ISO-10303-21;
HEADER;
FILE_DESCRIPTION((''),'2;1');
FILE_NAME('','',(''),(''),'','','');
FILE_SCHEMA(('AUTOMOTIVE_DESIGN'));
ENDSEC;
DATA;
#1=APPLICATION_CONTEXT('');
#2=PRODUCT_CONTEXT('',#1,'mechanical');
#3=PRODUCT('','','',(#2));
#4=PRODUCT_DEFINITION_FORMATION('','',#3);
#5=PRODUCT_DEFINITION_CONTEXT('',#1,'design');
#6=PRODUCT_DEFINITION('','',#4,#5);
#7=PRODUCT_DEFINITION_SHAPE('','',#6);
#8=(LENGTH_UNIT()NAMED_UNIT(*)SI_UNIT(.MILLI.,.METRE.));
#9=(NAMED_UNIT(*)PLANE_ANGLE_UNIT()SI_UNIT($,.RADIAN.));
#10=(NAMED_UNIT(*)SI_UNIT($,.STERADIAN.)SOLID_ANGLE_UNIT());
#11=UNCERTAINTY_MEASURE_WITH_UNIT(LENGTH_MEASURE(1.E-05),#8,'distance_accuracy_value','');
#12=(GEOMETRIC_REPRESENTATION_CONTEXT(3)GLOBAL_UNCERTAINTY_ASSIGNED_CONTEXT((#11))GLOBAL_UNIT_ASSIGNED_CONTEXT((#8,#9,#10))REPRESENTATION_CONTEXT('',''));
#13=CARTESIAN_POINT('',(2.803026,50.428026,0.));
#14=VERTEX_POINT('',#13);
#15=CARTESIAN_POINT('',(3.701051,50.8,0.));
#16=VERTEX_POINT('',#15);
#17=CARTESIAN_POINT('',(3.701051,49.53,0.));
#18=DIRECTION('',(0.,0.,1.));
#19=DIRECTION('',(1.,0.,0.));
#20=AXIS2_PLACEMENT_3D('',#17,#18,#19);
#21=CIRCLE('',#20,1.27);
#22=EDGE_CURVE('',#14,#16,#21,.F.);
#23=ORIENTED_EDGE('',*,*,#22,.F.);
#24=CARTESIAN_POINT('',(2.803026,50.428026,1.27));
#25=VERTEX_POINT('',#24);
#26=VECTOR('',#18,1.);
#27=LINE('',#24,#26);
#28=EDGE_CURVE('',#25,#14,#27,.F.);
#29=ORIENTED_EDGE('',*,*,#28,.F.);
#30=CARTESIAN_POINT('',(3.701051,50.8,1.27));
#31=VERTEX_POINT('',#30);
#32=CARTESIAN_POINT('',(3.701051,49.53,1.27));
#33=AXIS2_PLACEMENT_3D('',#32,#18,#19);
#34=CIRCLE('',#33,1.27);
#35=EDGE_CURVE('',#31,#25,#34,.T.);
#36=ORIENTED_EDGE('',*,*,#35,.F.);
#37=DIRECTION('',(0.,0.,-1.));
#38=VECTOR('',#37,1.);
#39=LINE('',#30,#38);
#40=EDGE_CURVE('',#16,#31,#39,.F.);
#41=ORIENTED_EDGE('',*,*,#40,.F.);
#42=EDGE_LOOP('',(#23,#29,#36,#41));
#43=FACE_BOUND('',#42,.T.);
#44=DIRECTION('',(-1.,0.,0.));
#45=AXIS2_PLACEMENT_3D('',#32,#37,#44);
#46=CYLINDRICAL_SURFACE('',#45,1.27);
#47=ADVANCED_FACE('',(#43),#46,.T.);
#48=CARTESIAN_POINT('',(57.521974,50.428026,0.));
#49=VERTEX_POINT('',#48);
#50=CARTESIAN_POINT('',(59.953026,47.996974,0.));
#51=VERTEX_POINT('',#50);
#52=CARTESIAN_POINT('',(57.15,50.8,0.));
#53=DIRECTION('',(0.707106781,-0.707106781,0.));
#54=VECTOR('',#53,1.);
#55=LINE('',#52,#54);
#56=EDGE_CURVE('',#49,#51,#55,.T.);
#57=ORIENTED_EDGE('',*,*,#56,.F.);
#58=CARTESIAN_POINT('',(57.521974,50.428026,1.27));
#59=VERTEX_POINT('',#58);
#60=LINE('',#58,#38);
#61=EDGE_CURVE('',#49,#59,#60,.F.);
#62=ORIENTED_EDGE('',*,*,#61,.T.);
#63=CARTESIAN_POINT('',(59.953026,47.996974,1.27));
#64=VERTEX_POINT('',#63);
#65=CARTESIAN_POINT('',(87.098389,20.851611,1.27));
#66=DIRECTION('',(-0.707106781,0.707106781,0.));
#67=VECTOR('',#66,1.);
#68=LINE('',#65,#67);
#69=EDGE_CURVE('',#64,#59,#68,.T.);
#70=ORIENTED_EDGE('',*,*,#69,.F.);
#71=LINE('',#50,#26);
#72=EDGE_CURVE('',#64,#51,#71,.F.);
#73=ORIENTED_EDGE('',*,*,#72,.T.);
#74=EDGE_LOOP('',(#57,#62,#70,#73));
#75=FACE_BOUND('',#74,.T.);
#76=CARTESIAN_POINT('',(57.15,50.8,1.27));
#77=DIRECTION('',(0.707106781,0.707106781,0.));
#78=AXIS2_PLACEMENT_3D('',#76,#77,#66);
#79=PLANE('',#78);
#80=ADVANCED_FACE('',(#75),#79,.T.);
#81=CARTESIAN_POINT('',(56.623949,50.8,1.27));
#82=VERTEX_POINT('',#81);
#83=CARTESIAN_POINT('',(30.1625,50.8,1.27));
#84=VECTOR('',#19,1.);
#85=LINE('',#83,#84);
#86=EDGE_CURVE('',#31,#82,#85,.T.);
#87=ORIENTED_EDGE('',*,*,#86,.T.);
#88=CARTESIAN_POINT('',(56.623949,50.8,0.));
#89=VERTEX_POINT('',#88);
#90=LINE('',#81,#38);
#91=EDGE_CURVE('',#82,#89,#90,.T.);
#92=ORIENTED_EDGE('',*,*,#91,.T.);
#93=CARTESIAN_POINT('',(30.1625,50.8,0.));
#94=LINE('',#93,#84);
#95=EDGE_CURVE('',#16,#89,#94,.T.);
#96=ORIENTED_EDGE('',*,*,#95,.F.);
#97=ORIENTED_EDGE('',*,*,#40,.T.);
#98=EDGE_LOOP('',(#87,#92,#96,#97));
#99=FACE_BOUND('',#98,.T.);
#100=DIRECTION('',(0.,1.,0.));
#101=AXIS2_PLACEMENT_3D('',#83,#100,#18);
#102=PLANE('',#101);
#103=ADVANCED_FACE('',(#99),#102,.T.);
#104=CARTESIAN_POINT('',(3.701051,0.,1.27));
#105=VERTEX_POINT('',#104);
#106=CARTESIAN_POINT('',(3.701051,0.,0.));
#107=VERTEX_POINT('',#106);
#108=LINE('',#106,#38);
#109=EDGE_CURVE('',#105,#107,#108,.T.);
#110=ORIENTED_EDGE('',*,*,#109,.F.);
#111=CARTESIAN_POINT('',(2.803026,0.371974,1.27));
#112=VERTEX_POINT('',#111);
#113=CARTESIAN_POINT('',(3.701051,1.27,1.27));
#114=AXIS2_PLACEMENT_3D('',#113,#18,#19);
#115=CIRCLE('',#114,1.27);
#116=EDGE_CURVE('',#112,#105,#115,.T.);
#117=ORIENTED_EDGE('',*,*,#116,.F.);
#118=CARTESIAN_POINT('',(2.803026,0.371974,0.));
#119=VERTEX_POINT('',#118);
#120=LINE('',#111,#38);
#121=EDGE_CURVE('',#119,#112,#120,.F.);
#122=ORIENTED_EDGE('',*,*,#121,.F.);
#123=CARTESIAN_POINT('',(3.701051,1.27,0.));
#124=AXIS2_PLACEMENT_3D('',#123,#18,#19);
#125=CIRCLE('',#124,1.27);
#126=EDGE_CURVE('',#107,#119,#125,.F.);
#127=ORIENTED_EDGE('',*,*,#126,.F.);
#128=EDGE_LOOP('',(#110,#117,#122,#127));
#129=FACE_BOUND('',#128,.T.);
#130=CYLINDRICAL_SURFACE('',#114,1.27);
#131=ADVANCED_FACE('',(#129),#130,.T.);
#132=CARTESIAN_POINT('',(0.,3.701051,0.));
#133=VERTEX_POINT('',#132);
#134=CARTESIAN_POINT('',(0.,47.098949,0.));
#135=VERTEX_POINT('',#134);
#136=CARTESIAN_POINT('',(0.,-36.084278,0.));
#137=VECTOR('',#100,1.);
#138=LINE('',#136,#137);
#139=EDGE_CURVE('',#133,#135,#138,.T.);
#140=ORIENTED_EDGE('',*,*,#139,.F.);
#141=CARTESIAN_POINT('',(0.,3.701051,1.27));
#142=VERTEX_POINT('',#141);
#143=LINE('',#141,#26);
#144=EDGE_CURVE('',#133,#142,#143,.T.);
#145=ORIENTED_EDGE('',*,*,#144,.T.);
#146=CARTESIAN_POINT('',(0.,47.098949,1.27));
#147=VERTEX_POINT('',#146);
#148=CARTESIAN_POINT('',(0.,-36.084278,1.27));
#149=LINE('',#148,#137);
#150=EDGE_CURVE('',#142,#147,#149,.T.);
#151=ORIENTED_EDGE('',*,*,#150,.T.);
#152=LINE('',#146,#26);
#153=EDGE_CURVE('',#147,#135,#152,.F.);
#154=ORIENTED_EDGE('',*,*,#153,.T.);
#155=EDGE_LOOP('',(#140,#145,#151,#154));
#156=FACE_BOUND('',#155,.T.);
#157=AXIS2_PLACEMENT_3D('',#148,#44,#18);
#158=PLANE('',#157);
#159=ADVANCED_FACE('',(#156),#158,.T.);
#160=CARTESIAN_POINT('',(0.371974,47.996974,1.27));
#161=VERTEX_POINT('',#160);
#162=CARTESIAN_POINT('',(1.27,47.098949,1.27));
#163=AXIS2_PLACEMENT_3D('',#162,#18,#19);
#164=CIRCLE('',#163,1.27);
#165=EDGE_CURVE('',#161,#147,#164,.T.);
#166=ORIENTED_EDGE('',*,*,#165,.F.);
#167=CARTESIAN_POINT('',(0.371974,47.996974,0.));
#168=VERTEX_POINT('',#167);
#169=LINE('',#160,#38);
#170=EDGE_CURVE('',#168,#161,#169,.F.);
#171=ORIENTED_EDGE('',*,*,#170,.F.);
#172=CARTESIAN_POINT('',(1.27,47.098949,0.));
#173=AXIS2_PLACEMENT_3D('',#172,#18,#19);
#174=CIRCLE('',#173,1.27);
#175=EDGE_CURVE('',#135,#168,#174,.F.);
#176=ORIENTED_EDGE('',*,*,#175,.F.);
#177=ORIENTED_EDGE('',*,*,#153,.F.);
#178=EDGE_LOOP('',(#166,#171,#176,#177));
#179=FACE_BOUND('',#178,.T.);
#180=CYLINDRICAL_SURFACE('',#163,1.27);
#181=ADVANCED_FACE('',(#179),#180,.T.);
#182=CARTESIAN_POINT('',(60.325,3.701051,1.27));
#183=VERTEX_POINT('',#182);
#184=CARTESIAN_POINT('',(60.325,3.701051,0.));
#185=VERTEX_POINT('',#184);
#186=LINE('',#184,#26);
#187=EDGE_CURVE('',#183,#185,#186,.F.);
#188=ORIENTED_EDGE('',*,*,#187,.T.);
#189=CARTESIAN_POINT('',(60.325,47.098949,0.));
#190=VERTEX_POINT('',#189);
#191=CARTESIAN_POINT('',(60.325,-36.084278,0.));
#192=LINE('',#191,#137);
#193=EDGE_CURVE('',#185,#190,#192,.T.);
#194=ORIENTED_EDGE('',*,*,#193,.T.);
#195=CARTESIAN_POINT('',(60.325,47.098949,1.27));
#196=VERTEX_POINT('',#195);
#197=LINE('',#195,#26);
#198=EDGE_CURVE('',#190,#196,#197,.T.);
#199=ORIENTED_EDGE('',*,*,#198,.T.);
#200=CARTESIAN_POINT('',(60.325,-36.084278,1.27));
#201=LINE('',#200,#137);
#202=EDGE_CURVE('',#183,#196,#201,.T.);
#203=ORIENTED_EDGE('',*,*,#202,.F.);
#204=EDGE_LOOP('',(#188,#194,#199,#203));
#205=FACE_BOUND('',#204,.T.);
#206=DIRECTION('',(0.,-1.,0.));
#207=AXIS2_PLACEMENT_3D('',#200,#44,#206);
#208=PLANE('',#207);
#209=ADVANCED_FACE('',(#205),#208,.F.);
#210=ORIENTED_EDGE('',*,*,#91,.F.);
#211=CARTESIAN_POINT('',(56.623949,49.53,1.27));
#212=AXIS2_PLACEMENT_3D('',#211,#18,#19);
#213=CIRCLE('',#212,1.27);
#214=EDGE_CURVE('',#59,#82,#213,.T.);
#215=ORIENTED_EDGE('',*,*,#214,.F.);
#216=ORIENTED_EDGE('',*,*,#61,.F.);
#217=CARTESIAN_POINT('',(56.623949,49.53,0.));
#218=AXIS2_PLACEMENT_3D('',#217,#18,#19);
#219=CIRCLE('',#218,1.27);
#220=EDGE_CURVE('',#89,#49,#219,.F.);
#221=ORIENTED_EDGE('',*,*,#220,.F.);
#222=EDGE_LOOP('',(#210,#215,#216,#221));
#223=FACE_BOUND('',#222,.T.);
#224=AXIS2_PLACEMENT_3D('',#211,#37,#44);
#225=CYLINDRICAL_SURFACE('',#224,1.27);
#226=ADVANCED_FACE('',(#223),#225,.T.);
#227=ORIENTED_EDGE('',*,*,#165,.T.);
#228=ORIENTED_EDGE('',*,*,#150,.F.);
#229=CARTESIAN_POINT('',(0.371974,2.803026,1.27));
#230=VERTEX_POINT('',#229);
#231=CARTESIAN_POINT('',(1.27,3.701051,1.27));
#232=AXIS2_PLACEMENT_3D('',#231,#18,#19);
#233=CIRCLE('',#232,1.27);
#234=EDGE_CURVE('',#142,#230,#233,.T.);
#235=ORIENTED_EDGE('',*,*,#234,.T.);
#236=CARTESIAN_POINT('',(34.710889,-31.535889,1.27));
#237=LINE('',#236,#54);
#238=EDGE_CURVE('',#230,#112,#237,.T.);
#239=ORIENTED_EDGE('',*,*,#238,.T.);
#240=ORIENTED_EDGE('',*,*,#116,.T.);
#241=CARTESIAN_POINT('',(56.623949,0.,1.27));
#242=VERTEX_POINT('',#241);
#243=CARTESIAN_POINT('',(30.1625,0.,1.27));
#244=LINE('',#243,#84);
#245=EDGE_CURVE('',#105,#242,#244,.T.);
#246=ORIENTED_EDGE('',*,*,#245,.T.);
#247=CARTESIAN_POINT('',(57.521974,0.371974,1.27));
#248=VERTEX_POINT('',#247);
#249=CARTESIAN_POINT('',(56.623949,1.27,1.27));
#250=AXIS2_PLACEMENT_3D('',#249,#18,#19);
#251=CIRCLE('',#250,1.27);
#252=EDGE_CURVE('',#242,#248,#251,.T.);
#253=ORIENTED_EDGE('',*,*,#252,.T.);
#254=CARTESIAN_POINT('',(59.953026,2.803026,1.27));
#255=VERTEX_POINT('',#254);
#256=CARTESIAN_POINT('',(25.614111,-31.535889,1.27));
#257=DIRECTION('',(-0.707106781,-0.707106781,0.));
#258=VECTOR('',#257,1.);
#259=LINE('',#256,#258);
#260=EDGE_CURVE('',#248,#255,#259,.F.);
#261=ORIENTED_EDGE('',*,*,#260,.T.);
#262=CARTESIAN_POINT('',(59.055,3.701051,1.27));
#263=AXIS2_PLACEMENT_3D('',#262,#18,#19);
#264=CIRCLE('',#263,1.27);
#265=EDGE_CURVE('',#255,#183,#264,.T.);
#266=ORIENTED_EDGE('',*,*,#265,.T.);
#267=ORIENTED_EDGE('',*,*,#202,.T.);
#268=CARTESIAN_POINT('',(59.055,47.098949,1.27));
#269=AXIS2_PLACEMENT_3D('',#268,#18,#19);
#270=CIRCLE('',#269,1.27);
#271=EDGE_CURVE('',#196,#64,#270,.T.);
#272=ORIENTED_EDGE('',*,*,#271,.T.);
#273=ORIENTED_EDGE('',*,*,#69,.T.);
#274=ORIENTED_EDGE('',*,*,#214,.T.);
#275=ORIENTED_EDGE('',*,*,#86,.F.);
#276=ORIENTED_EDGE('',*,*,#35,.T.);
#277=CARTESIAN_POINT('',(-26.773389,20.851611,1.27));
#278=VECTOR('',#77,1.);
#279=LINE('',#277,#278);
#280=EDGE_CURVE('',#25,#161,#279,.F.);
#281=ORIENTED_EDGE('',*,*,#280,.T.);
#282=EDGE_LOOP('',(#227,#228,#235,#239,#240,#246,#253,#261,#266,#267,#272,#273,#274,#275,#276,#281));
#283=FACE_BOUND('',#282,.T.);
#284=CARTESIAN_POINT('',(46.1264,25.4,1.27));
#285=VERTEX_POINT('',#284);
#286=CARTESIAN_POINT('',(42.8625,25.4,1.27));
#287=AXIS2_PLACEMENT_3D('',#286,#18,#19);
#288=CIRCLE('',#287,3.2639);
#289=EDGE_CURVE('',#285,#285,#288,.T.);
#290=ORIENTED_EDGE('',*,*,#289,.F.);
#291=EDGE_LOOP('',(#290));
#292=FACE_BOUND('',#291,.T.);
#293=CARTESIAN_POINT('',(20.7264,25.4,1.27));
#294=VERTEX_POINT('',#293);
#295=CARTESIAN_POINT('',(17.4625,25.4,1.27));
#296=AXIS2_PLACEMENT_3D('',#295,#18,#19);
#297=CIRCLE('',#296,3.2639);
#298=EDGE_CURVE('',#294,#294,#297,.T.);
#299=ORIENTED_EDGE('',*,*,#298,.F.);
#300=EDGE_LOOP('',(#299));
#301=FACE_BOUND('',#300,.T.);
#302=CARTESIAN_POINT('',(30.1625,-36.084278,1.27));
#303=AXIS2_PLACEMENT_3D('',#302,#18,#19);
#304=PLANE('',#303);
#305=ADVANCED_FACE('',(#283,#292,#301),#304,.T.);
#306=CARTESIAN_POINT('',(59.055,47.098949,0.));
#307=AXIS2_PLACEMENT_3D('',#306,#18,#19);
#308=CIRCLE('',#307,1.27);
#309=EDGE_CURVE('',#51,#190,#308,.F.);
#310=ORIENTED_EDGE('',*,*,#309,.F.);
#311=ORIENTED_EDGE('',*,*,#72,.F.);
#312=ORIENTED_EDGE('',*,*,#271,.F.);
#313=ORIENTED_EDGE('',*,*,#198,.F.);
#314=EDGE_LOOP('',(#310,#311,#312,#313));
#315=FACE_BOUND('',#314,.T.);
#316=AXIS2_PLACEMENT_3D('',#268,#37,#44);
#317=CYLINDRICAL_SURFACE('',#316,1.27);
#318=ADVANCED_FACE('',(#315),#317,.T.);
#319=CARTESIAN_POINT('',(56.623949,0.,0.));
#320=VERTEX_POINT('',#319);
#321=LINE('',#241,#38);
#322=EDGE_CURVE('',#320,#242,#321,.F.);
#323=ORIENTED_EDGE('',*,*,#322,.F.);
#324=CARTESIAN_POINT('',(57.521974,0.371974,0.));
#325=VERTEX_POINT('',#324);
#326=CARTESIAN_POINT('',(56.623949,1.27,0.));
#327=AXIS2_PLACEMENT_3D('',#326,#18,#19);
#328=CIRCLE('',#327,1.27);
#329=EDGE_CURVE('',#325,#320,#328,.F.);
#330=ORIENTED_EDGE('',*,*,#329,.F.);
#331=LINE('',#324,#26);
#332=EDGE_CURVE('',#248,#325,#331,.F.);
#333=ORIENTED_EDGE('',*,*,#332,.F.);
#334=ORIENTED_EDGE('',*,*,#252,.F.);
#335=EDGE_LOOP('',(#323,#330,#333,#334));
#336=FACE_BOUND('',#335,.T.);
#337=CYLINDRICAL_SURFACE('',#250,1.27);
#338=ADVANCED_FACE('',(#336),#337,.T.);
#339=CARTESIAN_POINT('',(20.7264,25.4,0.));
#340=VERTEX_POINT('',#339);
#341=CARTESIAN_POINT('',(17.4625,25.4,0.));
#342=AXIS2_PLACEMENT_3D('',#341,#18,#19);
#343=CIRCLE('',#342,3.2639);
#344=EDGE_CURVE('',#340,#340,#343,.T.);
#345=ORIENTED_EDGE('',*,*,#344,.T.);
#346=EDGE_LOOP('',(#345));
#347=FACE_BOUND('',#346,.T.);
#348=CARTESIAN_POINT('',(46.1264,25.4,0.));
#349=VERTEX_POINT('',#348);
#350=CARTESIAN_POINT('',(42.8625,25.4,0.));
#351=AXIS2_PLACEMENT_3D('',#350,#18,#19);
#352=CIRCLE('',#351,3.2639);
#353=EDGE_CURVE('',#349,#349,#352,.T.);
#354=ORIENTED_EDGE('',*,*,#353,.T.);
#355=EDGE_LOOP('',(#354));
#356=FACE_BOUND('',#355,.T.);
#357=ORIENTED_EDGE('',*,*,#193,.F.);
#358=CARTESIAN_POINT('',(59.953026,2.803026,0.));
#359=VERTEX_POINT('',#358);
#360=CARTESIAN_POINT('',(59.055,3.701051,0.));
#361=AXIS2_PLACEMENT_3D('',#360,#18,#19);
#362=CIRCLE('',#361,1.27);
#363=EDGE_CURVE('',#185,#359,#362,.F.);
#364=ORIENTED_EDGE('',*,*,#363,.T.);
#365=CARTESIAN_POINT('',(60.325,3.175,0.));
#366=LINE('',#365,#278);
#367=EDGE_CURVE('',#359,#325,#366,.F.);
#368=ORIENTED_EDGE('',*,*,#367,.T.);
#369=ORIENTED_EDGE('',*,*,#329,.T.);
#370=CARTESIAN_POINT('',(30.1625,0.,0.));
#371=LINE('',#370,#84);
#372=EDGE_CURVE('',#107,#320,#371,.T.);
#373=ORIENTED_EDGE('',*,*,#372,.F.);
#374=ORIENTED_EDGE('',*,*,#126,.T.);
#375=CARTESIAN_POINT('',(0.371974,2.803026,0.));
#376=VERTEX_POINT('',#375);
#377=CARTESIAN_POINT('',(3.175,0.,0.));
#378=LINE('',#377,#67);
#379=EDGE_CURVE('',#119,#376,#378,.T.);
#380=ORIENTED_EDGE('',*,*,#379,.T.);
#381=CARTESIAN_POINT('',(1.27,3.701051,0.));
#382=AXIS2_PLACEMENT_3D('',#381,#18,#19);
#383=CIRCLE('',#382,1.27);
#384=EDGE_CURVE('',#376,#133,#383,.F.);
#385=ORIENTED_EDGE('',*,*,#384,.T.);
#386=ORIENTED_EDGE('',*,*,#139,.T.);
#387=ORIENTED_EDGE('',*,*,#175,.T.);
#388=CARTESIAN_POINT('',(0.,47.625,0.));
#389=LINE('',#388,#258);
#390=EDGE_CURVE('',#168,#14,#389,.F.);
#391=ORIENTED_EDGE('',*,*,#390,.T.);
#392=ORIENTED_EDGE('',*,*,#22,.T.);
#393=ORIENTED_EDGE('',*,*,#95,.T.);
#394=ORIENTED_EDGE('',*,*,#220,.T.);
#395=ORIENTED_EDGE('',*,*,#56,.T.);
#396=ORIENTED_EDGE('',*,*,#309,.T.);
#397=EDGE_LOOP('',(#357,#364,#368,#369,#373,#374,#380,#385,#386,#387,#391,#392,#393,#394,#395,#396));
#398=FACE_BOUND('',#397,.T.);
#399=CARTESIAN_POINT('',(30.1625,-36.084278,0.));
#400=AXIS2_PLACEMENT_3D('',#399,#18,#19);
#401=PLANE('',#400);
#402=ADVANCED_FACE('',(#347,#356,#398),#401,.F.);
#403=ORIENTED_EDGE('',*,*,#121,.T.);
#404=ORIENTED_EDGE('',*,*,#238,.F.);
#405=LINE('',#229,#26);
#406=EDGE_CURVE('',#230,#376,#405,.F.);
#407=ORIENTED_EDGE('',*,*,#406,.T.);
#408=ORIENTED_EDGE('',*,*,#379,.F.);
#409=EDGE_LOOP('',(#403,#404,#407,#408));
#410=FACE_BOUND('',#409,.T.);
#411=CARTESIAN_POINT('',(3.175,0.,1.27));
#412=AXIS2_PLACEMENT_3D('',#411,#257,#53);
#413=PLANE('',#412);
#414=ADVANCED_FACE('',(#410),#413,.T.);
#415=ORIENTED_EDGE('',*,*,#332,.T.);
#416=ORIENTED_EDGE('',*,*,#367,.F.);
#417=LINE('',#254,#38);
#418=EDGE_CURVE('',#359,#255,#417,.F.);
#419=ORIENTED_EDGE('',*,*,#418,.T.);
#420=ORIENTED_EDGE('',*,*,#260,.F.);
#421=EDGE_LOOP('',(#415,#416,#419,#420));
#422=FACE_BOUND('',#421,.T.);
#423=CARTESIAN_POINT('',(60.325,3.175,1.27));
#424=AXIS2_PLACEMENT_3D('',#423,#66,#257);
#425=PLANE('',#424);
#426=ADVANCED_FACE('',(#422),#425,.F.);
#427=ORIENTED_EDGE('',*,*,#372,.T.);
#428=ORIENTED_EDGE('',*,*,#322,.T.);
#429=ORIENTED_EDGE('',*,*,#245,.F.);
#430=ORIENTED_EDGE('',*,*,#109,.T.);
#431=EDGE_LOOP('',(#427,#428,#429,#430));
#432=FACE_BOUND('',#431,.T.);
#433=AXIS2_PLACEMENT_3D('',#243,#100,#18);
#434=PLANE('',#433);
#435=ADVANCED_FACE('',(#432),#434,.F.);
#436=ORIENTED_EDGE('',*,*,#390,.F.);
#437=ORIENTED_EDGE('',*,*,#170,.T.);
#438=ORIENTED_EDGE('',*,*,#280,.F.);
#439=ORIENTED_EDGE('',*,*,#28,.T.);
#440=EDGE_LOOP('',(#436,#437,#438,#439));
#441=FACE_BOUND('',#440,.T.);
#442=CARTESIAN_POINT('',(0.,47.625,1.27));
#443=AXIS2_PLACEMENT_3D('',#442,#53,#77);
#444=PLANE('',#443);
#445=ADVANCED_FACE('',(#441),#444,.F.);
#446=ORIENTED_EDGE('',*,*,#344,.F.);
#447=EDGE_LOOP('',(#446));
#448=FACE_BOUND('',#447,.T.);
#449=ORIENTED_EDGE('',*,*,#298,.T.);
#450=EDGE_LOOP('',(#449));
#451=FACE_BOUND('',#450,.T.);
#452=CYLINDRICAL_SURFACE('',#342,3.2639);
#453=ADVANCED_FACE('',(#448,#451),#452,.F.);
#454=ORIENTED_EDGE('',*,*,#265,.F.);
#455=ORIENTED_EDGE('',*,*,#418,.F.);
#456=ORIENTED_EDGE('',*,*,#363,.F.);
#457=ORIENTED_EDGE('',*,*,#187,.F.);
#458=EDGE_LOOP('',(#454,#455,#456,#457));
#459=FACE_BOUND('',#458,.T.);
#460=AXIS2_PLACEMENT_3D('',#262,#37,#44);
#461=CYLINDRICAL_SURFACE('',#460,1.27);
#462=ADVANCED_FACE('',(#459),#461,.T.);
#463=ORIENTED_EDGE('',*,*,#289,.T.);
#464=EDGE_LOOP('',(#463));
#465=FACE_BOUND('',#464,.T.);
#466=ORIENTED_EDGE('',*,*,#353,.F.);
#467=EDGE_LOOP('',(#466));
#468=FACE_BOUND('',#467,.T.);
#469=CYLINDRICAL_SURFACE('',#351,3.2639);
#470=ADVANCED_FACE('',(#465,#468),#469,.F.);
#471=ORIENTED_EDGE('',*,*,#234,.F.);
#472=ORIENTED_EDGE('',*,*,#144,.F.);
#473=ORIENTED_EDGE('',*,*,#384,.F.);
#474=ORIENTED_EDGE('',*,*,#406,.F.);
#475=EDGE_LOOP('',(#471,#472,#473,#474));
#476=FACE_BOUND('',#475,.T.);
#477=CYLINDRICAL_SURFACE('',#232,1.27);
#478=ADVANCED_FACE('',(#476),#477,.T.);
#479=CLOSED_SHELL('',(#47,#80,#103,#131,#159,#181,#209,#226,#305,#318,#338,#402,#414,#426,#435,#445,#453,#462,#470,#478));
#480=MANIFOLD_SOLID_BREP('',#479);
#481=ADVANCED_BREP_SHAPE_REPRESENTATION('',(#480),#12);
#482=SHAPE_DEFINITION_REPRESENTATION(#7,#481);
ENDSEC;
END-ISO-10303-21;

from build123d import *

# Parameters (mm, degrees)
SKETCH1_W           = 60.325
SKETCH1_H           = 50.8
BOSS_EXTRUDE1_DEPTH = 1.27
SKETCH3_R           = 3.2639
CUT_EXTRUDE1_DEPTH  = 2.27
CHAMFER1_SIZE       = 3.175
FILLET1_R           = 1.27


with BuildPart() as part:
    # Sketch1 → Boss-Extrude1 (new body)
    with BuildSketch(Plane.XY):
        with Locations((30.1625, 25.4)):
            Rectangle(SKETCH1_W, SKETCH1_H)
    extrude(amount=BOSS_EXTRUDE1_DEPTH)

    # Sketch3 → Cut-Extrude1 (cut, through all)
    with BuildSketch(Plane.XY.offset(1.27)):
        with Locations((42.8625, 25.4)):
            Circle(SKETCH3_R)
        with Locations((17.4625, 25.4)):
            Circle(SKETCH3_R)
    extrude(amount=-CUT_EXTRUDE1_DEPTH, mode=Mode.SUBTRACT)

    # Chamfer1
    chamfer1_edges = [part.edges().sort_by_distance(p)[0] for p in [
        (0, 0, 0.635),
        (0, 50.8, 0.635),
        (60.325, 50.8, 0.635),
        (60.325, 0, 0.635),
    ]]
    chamfer(chamfer1_edges, length=CHAMFER1_SIZE)

    # Fillet1
    fillet1_edges = [part.edges().sort_by_distance(p)[0] for p in [
        (57.15, 0, 0.635),
        (3.175, 0, 0.635),
        (0, 47.625, 0.635),
        (0, 3.175, 0.635),
        (57.15, 50.8, 0.635),
        (3.175, 50.8, 0.635),
        (60.325, 3.175, 0.635),
        (60.325, 47.625, 0.635),
    ]]
    fillet(fillet1_edges, radius=FILLET1_R)


solid = part.part
